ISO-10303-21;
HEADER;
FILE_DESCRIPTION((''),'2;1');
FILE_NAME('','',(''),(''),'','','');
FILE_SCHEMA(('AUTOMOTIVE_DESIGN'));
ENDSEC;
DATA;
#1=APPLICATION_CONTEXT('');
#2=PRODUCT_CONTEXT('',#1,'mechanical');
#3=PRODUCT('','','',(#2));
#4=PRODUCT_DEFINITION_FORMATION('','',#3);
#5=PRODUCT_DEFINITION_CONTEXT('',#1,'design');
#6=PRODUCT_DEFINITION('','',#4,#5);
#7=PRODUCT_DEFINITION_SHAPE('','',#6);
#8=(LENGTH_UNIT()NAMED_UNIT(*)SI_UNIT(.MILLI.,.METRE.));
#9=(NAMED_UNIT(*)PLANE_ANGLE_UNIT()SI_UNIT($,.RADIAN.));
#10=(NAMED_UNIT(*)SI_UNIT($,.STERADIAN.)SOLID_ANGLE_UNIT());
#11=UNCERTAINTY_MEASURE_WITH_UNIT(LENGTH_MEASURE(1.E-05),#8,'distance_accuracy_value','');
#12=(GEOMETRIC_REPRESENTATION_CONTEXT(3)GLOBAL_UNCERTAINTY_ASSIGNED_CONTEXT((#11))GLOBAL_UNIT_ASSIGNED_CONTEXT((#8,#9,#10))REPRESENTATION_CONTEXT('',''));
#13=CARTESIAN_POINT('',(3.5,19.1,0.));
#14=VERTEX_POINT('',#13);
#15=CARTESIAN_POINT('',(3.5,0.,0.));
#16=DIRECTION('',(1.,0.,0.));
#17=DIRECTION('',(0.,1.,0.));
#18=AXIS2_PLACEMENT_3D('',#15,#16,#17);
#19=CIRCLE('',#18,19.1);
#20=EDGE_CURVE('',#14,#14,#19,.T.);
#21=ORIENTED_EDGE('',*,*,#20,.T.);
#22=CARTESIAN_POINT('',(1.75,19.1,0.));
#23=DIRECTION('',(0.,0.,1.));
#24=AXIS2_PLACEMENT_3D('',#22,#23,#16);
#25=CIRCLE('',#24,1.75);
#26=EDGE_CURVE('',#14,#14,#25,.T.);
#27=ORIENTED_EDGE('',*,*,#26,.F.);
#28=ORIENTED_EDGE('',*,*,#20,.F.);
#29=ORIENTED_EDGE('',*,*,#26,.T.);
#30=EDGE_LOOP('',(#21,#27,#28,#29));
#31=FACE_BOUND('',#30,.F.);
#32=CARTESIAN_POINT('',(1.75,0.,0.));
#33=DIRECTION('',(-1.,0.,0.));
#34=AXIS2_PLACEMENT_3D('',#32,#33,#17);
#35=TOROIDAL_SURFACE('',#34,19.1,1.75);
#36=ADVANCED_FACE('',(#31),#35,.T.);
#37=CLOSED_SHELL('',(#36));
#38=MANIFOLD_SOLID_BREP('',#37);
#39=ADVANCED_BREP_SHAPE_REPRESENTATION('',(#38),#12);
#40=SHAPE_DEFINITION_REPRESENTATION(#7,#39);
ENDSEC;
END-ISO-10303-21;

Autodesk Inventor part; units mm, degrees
ref_plane "YZ Plane" through (0, 0, 0) normal (1, 0, 0) x (0, 1, 0)
ref_plane "XZ Plane" through (0, 0, 0) normal (0, 1, 0) x (-1, 0, 0)
ref_plane "XY Plane" through (0, 0, 0) normal (0, 0, 1) x (1, 0, 0)
sketch "__1" plane through (0, 0, 0) normal (0, 0, 1) x (1, 0, 0)
  line L0 (35, 0) -> (-35, 0)
  circle A0 centre (1.75, 19.1) radius 1.75
revolve "Revolution1" add sketch "__1" angle 360 about axis through (35, 0, 0) along (1, 0, 0)
properties part number "ORPP35-S"
